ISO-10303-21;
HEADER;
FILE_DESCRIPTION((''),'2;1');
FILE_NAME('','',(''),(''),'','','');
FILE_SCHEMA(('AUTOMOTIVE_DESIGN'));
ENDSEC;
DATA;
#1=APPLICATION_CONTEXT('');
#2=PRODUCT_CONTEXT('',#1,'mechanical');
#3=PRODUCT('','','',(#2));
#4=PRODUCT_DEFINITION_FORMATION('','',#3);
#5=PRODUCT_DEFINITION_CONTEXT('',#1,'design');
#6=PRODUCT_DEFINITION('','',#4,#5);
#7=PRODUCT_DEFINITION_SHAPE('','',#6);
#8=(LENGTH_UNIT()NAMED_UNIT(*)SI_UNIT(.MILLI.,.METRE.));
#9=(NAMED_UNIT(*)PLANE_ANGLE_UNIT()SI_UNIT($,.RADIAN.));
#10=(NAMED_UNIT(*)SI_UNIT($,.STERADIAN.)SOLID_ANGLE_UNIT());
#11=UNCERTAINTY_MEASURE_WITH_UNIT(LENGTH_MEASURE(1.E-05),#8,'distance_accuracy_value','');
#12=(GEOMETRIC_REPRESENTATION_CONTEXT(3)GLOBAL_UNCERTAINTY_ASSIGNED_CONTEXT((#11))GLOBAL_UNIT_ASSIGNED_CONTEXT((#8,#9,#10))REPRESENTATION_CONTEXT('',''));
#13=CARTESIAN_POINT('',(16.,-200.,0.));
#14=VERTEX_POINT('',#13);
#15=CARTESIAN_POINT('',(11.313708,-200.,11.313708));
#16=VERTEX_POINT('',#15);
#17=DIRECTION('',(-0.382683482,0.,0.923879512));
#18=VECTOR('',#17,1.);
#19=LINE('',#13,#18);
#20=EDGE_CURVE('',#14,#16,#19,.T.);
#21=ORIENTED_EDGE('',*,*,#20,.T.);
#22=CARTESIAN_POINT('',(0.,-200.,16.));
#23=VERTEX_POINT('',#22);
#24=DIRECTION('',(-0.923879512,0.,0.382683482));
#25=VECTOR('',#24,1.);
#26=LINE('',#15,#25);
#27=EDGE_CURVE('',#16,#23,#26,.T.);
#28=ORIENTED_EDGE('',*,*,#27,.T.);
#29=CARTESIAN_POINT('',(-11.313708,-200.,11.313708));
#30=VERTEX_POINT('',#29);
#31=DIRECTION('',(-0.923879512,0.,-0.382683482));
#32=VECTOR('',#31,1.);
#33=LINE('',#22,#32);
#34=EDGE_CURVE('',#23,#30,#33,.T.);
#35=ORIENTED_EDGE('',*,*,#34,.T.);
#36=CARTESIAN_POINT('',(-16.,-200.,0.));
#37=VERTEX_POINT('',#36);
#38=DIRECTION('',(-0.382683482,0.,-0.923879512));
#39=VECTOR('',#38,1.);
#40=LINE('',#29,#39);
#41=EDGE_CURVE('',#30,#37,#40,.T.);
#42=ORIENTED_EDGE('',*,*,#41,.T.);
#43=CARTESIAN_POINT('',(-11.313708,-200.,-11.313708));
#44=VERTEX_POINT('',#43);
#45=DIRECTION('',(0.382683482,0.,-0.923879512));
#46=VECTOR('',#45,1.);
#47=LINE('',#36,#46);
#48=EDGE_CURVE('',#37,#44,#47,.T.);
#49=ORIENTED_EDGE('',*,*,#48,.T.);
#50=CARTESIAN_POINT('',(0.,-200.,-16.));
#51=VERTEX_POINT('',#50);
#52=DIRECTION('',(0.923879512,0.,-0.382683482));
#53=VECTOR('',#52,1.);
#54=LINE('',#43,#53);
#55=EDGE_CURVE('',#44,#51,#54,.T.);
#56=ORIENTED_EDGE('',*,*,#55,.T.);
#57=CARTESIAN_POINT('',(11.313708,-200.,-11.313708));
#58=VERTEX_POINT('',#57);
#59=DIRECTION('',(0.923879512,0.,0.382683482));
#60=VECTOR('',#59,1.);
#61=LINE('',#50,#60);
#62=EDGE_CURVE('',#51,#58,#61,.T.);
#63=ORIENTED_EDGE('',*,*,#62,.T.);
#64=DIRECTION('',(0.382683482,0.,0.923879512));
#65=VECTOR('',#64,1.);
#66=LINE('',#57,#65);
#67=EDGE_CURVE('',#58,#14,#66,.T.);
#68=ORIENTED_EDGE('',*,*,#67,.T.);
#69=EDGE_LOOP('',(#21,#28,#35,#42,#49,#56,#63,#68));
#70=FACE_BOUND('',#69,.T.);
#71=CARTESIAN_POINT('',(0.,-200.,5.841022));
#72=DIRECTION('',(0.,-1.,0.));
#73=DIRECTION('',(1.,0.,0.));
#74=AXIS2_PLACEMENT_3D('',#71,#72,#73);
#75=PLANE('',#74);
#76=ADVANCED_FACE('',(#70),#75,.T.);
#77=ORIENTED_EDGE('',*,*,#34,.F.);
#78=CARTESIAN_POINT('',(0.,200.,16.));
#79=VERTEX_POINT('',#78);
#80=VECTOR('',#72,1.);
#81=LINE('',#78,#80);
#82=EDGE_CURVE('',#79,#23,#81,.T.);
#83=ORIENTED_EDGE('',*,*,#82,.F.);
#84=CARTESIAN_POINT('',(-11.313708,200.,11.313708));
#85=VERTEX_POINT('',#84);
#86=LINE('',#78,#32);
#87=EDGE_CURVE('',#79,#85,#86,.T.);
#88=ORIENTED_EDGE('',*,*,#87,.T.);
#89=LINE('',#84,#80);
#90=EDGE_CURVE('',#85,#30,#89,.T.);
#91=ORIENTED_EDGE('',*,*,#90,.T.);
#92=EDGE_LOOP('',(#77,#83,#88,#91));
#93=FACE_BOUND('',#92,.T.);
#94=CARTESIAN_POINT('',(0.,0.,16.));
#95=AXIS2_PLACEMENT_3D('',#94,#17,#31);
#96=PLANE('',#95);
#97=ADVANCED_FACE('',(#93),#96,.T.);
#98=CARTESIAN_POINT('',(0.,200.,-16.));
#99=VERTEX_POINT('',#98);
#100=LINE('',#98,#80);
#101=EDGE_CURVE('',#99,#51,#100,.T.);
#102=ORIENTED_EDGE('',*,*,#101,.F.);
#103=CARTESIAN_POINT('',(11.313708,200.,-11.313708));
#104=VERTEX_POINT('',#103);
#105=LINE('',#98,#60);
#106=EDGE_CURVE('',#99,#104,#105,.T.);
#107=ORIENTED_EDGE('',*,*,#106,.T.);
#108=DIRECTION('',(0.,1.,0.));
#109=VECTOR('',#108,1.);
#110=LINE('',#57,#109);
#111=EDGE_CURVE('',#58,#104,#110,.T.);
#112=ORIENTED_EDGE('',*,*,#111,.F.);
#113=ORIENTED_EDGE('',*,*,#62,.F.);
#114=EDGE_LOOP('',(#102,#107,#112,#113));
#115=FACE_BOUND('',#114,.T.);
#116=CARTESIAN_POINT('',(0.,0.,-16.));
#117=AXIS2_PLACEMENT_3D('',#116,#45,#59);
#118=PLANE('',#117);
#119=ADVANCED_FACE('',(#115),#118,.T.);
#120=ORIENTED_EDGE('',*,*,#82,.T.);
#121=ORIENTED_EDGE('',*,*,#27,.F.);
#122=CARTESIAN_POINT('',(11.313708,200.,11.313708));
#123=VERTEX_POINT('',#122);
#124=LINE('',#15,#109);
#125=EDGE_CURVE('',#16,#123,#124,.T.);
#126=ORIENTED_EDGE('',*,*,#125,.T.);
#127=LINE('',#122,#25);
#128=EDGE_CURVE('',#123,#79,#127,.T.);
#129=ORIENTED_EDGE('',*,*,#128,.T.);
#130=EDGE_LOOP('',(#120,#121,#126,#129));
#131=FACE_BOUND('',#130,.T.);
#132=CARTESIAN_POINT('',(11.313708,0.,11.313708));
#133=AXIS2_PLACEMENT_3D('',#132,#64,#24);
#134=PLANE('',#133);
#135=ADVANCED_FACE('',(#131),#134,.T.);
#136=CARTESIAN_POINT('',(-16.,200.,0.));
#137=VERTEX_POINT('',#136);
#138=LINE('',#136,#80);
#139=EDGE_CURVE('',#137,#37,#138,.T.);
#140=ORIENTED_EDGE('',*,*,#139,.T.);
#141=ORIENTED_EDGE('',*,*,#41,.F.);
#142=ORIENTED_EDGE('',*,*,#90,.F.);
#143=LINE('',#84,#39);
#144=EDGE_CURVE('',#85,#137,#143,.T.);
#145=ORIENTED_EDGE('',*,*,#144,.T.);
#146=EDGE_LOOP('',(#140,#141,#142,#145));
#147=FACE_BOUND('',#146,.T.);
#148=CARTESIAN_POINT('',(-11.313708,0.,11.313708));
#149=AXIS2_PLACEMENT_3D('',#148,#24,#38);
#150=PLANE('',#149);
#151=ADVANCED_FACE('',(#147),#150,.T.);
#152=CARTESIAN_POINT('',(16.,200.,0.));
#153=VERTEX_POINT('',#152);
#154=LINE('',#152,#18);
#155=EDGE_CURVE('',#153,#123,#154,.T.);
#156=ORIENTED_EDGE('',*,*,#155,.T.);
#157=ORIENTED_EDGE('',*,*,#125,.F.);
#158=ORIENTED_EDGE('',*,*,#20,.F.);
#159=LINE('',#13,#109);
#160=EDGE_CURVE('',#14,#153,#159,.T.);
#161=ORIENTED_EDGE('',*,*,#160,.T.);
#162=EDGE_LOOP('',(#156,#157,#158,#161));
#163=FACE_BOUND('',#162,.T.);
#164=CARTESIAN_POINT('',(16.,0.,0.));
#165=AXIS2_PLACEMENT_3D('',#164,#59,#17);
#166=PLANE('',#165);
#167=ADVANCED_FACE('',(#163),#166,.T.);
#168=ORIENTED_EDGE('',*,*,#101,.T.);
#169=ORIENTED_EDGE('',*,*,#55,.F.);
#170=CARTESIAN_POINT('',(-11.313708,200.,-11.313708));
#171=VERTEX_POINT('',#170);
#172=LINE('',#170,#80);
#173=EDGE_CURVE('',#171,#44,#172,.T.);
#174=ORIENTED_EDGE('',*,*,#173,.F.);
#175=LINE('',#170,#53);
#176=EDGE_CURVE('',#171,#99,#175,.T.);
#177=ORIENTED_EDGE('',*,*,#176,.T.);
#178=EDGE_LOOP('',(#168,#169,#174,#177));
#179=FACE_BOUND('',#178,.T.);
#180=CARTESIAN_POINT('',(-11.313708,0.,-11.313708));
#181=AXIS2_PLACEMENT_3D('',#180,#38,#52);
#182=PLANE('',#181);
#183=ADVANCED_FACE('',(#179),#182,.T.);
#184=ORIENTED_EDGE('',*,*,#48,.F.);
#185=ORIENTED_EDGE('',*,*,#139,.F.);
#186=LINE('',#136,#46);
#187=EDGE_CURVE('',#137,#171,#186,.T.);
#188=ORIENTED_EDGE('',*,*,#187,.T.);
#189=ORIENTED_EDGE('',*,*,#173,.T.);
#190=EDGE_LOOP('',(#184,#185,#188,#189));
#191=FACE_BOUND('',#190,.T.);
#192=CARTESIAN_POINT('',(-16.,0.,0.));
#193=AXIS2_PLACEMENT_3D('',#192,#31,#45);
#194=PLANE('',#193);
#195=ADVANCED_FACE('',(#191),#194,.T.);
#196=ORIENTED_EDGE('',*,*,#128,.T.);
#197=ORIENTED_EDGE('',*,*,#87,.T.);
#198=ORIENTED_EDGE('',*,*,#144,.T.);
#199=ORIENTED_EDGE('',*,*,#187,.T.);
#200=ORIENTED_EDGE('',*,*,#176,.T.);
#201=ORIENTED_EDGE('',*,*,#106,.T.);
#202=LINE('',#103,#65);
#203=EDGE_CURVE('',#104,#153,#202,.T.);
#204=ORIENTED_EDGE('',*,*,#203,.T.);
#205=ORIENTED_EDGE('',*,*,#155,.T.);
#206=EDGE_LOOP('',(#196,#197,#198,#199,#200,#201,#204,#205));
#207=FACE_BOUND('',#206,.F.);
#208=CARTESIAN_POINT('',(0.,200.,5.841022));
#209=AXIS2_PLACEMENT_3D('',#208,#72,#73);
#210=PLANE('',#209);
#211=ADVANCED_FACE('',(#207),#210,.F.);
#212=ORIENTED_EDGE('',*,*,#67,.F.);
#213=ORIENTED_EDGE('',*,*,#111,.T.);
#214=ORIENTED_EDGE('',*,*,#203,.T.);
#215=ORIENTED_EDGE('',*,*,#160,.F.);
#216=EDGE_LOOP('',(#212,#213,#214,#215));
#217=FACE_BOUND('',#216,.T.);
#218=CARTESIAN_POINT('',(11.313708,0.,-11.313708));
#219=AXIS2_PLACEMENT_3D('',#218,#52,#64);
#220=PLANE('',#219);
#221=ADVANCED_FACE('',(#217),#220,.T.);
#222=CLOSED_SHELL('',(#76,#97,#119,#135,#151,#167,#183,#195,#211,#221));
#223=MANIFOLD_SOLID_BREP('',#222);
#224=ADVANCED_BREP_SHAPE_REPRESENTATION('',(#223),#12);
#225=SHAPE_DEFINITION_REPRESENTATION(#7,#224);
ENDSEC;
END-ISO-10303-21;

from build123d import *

# Parameters (mm, degrees)
F1_DEPTH = 200


with BuildPart() as f1:
    # F0 (on Front) → F1 (new body, symmetric)
    with BuildSketch(Plane.XZ):
        Polygon((11.313708, 11.313708), (0, 16), (-11.313708, 11.313708), (-16, 0), (16, 0), align=None)
        Polygon((11.313708, -11.313708), (16, 0), (-16, 0), (-11.313708, -11.313708), (0, -16), align=None)
    extrude(amount=F1_DEPTH, both=True)


solid = f1.part
